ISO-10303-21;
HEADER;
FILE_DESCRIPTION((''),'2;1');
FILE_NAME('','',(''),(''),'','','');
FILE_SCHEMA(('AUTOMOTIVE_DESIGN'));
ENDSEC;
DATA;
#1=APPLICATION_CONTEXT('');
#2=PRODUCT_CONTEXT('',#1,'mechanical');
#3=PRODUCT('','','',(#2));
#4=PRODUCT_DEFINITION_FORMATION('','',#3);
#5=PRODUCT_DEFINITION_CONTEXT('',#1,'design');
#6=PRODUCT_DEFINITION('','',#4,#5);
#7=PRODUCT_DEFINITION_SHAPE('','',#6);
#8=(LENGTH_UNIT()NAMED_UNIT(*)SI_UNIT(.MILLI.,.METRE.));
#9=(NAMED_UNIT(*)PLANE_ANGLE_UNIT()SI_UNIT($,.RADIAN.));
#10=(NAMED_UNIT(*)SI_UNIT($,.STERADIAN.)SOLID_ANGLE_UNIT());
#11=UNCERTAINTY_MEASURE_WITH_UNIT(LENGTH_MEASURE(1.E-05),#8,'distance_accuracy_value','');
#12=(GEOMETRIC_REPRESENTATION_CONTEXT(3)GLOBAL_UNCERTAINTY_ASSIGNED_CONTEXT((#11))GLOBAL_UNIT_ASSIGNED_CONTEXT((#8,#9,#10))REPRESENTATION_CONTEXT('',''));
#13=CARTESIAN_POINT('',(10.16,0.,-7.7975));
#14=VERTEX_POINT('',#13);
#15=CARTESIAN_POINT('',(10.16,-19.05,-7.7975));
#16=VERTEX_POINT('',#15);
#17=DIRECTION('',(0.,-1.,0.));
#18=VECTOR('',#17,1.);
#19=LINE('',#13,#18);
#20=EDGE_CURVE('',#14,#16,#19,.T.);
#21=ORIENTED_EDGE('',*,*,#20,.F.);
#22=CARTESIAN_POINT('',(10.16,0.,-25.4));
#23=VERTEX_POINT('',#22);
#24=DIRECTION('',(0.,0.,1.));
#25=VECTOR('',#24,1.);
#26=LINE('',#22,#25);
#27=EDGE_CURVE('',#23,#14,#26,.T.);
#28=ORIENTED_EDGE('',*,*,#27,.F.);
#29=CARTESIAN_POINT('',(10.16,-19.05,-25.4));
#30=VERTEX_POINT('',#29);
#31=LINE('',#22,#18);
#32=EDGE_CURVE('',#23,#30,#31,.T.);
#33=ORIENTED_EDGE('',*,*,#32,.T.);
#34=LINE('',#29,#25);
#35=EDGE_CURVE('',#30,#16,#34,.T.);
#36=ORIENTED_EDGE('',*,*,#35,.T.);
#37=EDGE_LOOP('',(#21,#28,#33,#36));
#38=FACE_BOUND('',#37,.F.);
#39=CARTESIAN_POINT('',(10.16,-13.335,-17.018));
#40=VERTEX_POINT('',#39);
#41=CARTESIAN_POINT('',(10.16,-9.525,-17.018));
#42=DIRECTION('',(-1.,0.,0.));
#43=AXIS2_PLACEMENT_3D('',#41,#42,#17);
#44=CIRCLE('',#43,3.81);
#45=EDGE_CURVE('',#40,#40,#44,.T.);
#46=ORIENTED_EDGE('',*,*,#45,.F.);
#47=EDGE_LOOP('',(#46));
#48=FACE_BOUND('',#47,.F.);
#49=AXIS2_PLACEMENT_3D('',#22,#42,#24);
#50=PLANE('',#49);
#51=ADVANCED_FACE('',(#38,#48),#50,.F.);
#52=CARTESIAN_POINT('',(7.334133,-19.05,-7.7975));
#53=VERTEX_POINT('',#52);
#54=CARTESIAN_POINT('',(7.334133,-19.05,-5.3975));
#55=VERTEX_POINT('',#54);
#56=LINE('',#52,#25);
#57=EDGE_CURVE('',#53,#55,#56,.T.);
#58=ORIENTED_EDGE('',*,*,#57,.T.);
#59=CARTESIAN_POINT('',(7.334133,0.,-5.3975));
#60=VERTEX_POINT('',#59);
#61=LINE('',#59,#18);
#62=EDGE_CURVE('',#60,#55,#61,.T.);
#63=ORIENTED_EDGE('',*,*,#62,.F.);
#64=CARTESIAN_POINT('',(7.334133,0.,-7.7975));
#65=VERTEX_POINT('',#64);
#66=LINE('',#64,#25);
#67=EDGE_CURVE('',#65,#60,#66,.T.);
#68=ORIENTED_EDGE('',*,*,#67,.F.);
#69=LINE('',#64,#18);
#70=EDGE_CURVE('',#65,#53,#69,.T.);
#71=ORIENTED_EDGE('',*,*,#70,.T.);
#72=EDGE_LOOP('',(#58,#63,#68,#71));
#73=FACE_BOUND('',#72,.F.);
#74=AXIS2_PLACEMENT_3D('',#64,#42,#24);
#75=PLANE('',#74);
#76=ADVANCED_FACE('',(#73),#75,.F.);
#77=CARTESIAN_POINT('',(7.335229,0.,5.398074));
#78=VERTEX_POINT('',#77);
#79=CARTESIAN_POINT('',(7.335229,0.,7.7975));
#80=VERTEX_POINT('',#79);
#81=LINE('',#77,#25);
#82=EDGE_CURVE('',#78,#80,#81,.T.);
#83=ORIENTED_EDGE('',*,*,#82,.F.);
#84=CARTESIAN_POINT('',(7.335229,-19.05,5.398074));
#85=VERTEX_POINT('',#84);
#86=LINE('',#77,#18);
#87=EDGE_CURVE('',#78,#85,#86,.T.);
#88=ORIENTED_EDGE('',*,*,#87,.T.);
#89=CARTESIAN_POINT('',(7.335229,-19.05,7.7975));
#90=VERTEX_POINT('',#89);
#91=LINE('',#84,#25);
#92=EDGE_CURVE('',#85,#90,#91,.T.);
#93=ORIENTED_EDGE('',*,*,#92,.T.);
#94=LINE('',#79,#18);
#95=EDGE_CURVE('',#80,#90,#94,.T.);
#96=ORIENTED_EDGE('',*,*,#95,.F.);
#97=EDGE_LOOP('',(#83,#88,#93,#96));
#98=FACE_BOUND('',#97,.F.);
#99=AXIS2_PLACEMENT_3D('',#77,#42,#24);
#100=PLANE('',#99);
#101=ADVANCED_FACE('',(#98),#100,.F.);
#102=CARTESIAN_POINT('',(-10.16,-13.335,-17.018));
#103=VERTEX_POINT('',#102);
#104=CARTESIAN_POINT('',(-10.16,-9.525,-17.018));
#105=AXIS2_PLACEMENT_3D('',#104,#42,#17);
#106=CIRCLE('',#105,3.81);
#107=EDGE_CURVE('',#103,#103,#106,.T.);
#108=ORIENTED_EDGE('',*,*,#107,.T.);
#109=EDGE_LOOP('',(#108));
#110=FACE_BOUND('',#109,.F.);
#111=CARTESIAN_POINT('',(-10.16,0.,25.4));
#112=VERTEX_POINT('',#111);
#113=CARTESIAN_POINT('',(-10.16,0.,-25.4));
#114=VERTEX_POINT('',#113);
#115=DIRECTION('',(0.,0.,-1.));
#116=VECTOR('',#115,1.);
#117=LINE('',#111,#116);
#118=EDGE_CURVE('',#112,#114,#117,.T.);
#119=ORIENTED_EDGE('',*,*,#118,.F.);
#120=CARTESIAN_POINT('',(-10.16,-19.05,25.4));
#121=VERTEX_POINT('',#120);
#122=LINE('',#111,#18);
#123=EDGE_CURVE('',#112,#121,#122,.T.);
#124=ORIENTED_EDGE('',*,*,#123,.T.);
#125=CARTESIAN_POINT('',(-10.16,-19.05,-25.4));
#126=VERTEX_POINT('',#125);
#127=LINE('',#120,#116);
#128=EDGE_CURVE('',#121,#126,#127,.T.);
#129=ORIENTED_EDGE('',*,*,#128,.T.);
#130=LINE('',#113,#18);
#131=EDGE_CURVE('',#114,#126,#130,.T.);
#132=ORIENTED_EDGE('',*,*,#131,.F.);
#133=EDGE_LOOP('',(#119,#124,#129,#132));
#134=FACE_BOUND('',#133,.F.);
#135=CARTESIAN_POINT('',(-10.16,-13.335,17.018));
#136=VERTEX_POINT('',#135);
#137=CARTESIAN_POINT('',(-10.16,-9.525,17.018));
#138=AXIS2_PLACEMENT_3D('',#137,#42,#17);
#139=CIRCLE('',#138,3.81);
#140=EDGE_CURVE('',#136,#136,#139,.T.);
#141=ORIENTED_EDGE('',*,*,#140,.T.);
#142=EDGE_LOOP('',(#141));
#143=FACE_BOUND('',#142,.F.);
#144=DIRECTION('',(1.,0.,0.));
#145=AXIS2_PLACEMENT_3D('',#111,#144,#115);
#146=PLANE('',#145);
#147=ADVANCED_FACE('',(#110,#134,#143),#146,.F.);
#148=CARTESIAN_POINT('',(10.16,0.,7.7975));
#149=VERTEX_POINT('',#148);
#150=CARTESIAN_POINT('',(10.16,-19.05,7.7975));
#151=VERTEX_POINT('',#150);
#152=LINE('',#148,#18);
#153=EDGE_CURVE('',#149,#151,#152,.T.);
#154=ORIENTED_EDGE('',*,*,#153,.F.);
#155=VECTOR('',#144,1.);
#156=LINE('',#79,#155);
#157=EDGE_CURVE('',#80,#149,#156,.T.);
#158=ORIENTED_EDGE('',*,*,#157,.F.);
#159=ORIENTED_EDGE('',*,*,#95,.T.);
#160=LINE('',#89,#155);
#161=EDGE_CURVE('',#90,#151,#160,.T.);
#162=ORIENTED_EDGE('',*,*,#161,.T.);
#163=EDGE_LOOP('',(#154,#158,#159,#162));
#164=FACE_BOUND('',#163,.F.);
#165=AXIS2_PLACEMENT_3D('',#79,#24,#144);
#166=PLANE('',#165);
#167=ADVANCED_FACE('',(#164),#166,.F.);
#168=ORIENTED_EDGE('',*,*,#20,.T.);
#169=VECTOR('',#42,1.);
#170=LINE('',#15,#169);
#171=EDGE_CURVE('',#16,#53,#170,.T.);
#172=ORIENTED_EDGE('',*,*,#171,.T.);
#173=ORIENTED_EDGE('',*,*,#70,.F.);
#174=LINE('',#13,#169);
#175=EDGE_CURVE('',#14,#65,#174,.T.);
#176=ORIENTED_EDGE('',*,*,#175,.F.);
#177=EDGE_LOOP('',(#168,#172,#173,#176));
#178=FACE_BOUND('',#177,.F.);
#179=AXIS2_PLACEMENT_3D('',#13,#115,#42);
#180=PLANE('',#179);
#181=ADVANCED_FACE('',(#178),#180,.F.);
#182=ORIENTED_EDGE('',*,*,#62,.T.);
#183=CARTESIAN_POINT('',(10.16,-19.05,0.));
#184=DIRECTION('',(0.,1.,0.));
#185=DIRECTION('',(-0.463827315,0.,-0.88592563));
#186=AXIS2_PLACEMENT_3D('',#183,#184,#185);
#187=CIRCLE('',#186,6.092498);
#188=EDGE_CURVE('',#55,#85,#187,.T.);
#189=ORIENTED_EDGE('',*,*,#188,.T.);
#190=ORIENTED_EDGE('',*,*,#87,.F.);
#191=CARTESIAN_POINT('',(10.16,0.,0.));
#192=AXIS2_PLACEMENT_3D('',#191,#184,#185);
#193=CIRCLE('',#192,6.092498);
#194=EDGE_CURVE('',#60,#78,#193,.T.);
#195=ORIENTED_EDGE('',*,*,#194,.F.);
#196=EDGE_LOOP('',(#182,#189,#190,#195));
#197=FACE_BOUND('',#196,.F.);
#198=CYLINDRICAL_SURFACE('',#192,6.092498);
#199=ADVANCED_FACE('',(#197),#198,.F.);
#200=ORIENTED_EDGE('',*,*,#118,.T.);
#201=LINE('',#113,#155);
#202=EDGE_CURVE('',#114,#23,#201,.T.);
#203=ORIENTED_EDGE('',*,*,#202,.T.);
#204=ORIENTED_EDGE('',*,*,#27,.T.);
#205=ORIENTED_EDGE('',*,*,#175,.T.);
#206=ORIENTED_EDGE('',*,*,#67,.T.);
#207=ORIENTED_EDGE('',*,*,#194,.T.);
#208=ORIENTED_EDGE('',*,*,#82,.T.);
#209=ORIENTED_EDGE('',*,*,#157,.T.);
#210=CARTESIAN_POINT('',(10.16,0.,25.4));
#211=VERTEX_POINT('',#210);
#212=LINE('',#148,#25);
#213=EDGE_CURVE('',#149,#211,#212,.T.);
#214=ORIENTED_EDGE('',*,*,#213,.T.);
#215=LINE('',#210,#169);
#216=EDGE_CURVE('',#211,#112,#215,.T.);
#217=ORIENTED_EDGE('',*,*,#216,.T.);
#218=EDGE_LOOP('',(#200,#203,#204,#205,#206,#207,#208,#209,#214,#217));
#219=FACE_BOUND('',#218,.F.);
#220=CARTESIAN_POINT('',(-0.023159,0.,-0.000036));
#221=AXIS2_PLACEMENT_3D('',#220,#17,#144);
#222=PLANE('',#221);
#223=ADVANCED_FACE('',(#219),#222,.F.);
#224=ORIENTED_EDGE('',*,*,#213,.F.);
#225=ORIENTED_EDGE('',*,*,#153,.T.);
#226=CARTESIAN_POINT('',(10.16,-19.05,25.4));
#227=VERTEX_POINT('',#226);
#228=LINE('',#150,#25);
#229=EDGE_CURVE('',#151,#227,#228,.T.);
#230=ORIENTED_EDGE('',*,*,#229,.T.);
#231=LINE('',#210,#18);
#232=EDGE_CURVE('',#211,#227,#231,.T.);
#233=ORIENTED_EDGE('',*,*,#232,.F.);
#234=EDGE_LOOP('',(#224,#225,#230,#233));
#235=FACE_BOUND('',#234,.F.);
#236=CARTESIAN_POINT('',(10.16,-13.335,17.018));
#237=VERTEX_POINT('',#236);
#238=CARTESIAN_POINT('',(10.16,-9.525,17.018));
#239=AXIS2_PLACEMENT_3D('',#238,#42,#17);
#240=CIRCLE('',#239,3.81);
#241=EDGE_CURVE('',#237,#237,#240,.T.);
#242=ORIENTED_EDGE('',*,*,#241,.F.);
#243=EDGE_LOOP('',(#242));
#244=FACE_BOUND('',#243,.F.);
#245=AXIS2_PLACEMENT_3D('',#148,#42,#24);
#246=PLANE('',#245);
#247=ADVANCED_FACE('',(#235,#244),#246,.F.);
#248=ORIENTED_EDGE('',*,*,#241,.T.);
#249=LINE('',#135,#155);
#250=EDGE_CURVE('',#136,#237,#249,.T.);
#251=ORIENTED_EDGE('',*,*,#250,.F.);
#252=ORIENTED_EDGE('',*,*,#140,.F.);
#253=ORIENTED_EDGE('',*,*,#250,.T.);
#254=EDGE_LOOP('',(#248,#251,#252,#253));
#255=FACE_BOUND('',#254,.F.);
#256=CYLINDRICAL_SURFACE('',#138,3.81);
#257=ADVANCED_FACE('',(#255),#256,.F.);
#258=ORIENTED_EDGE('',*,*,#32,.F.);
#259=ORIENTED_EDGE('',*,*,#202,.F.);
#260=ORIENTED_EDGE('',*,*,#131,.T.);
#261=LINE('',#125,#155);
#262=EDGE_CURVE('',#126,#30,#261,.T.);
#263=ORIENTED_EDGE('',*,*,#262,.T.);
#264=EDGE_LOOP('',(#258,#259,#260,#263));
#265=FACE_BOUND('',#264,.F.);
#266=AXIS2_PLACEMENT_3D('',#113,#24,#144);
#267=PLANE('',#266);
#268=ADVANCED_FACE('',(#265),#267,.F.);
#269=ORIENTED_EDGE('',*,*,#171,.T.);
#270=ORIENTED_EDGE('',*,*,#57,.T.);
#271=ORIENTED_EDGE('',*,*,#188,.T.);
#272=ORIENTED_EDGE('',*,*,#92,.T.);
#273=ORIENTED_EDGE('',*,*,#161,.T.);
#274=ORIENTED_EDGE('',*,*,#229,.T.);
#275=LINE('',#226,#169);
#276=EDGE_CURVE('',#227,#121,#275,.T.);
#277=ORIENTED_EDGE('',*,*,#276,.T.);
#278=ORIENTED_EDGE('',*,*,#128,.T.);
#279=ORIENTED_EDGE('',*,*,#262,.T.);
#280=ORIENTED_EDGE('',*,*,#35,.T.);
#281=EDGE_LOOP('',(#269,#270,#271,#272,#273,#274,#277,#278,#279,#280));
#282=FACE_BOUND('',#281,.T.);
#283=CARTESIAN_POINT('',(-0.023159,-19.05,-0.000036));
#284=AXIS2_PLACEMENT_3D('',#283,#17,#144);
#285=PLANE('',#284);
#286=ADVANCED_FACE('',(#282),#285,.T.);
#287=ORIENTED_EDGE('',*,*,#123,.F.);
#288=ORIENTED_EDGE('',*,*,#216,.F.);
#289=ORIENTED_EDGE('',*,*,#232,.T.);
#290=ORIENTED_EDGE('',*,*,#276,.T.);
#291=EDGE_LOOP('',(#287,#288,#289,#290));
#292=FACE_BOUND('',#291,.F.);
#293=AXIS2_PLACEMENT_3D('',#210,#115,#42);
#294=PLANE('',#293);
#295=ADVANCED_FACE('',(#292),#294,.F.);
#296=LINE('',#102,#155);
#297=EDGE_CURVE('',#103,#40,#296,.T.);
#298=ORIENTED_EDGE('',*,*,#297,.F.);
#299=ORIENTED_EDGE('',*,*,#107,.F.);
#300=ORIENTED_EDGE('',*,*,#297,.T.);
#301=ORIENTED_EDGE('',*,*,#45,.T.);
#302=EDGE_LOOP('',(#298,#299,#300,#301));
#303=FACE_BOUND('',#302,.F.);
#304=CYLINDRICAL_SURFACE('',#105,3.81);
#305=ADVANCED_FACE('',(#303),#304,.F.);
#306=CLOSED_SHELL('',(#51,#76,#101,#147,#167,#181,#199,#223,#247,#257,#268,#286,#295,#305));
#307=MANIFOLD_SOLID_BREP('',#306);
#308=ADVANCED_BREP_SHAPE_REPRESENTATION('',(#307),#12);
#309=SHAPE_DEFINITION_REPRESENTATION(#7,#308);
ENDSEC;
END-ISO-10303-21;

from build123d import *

# Parameters (mm, degrees)
F1_DEPTH = 19.05
F2_R     = 3.81
F3_DEPTH = 25.4


with BuildPart() as f1:
    # F0 (on Front) → F1 (new body)
    with BuildSketch(Plane.XZ):
        with BuildLine():
            Line((10.16, 7.7975), (10.16, 25.4))
            Line((10.16, 25.4), (-10.16, 25.4))
            Line((-10.16, 25.4), (-10.16, -25.4))
            Line((-10.16, -25.4), (10.16, -25.4))
            Line((10.16, -25.4), (10.16, -7.7975))
            Line((10.16, -7.7975), (7.334133, -7.7975))
            Line((7.334133, -7.7975), (7.334133, -5.3975))
            ThreePointArc((7.334133, -5.3975), (4.067502, 0.000618), (7.335229, 5.398074))
            Line((7.335229, 5.398074), (7.335229, 7.7975))
            Line((7.335229, 7.7975), (10.16, 7.7975))
        make_face()
    extrude(amount=F1_DEPTH)

    # F2 (on face) → F3 (cut)
    with BuildSketch(Plane(origin=(-10.16, 0, 0), x_dir=(0, -1, 0), z_dir=(-1, 0, 0))):
        with Locations((9.525, 17.018)):
            Circle(F2_R)
        with Locations((9.525, -17.018)):
            Circle(F2_R)
    extrude(amount=-F3_DEPTH, mode=Mode.SUBTRACT)


solid = f1.part
